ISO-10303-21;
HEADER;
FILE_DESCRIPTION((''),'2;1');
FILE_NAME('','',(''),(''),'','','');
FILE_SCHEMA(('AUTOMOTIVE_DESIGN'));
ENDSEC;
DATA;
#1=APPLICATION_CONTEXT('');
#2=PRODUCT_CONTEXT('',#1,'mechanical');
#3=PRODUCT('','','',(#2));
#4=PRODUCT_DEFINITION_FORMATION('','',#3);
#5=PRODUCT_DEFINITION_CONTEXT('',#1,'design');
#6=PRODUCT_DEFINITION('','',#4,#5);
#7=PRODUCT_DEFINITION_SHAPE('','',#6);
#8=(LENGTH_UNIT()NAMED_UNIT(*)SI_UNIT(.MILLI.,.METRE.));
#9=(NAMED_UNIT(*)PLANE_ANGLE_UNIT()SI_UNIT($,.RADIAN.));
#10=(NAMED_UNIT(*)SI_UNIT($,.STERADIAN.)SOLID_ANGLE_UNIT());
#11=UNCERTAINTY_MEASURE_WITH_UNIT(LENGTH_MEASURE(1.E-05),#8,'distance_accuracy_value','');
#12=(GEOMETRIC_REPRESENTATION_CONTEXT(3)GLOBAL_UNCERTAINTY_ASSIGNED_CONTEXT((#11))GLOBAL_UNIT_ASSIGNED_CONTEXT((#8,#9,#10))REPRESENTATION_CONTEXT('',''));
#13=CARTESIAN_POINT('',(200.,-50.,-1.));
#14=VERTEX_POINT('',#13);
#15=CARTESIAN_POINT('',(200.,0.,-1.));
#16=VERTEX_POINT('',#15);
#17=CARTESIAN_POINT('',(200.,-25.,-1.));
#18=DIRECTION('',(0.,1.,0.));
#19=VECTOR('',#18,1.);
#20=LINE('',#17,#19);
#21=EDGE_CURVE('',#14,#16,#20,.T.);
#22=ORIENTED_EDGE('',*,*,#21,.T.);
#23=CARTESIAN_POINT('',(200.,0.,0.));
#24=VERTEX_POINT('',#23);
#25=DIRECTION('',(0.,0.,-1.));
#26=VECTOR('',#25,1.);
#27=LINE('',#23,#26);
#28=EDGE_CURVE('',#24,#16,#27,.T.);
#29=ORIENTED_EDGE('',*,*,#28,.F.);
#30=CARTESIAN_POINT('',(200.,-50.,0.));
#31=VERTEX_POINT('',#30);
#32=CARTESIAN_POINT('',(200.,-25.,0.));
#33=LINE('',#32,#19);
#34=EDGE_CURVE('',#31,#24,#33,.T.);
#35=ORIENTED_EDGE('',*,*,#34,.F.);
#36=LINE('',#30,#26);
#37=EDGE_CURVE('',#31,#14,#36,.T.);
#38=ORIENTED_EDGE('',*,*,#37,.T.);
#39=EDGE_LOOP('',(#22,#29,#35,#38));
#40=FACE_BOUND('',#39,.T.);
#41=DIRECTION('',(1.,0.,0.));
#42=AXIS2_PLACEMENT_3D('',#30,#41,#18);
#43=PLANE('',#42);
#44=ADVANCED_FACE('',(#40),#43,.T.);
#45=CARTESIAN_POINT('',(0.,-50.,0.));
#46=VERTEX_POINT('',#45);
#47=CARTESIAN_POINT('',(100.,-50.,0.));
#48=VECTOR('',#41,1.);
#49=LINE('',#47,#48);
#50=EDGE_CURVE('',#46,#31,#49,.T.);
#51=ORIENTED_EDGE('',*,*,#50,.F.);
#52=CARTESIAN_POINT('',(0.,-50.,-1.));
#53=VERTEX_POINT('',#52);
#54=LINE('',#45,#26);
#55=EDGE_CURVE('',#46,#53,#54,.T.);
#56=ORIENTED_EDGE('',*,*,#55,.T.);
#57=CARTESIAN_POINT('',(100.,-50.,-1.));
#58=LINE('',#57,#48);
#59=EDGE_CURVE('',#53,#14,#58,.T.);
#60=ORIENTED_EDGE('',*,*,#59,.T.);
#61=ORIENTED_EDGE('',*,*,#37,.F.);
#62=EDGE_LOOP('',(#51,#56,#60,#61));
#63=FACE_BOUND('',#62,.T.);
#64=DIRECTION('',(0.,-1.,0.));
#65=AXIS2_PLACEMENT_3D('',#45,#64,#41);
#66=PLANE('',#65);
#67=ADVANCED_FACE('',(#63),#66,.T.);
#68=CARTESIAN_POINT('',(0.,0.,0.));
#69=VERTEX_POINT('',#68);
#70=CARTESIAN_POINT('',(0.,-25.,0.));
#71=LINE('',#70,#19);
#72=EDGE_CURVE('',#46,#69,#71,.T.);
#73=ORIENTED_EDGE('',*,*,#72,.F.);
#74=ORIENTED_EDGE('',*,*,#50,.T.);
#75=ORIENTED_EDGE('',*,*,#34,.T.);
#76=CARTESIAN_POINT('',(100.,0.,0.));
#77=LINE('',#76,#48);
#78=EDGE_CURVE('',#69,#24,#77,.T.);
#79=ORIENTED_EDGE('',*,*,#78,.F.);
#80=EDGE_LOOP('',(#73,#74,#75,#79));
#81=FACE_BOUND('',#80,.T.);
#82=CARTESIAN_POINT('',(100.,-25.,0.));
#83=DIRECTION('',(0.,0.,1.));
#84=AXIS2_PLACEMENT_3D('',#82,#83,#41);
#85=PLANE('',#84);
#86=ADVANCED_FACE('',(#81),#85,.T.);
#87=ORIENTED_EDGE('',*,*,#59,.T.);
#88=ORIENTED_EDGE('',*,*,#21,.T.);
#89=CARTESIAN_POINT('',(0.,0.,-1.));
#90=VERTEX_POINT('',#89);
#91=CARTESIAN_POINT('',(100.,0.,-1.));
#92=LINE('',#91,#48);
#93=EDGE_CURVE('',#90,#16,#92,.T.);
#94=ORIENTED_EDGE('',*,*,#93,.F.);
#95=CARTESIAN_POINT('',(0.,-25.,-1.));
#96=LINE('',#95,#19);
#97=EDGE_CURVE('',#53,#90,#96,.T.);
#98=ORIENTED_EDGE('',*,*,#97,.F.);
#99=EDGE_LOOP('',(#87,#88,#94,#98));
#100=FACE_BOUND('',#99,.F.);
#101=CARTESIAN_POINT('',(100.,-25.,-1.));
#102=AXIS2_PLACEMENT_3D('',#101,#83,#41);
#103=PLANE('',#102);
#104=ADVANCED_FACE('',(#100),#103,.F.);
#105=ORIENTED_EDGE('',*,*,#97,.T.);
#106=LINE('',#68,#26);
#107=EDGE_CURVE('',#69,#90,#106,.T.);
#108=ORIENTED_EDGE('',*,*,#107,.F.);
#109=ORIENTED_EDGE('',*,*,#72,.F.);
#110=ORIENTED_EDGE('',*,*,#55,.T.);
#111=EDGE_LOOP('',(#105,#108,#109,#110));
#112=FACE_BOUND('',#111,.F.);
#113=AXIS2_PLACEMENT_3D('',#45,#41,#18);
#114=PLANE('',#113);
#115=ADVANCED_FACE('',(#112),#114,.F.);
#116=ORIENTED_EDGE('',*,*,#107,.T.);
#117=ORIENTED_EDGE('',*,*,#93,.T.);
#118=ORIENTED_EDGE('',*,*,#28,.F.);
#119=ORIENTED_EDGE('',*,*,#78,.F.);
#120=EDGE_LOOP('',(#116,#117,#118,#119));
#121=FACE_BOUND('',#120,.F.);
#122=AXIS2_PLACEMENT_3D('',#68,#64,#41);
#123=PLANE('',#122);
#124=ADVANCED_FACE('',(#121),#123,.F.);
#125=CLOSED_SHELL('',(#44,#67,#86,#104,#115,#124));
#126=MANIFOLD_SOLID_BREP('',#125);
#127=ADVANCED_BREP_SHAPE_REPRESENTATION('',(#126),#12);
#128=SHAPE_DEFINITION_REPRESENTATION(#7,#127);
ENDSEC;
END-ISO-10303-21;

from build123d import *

# Parameters (mm, degrees)
SKETCH002_W = 200
SKETCH002_H = 50
PAD_DEPTH   = 1


with BuildPart() as part:
    # Sketch002 → Pad (new body)
    with BuildSketch(Plane.XY):
        with Locations((100, -25)):
            Rectangle(SKETCH002_W, SKETCH002_H)
    extrude(amount=-PAD_DEPTH)


solid = part.part
